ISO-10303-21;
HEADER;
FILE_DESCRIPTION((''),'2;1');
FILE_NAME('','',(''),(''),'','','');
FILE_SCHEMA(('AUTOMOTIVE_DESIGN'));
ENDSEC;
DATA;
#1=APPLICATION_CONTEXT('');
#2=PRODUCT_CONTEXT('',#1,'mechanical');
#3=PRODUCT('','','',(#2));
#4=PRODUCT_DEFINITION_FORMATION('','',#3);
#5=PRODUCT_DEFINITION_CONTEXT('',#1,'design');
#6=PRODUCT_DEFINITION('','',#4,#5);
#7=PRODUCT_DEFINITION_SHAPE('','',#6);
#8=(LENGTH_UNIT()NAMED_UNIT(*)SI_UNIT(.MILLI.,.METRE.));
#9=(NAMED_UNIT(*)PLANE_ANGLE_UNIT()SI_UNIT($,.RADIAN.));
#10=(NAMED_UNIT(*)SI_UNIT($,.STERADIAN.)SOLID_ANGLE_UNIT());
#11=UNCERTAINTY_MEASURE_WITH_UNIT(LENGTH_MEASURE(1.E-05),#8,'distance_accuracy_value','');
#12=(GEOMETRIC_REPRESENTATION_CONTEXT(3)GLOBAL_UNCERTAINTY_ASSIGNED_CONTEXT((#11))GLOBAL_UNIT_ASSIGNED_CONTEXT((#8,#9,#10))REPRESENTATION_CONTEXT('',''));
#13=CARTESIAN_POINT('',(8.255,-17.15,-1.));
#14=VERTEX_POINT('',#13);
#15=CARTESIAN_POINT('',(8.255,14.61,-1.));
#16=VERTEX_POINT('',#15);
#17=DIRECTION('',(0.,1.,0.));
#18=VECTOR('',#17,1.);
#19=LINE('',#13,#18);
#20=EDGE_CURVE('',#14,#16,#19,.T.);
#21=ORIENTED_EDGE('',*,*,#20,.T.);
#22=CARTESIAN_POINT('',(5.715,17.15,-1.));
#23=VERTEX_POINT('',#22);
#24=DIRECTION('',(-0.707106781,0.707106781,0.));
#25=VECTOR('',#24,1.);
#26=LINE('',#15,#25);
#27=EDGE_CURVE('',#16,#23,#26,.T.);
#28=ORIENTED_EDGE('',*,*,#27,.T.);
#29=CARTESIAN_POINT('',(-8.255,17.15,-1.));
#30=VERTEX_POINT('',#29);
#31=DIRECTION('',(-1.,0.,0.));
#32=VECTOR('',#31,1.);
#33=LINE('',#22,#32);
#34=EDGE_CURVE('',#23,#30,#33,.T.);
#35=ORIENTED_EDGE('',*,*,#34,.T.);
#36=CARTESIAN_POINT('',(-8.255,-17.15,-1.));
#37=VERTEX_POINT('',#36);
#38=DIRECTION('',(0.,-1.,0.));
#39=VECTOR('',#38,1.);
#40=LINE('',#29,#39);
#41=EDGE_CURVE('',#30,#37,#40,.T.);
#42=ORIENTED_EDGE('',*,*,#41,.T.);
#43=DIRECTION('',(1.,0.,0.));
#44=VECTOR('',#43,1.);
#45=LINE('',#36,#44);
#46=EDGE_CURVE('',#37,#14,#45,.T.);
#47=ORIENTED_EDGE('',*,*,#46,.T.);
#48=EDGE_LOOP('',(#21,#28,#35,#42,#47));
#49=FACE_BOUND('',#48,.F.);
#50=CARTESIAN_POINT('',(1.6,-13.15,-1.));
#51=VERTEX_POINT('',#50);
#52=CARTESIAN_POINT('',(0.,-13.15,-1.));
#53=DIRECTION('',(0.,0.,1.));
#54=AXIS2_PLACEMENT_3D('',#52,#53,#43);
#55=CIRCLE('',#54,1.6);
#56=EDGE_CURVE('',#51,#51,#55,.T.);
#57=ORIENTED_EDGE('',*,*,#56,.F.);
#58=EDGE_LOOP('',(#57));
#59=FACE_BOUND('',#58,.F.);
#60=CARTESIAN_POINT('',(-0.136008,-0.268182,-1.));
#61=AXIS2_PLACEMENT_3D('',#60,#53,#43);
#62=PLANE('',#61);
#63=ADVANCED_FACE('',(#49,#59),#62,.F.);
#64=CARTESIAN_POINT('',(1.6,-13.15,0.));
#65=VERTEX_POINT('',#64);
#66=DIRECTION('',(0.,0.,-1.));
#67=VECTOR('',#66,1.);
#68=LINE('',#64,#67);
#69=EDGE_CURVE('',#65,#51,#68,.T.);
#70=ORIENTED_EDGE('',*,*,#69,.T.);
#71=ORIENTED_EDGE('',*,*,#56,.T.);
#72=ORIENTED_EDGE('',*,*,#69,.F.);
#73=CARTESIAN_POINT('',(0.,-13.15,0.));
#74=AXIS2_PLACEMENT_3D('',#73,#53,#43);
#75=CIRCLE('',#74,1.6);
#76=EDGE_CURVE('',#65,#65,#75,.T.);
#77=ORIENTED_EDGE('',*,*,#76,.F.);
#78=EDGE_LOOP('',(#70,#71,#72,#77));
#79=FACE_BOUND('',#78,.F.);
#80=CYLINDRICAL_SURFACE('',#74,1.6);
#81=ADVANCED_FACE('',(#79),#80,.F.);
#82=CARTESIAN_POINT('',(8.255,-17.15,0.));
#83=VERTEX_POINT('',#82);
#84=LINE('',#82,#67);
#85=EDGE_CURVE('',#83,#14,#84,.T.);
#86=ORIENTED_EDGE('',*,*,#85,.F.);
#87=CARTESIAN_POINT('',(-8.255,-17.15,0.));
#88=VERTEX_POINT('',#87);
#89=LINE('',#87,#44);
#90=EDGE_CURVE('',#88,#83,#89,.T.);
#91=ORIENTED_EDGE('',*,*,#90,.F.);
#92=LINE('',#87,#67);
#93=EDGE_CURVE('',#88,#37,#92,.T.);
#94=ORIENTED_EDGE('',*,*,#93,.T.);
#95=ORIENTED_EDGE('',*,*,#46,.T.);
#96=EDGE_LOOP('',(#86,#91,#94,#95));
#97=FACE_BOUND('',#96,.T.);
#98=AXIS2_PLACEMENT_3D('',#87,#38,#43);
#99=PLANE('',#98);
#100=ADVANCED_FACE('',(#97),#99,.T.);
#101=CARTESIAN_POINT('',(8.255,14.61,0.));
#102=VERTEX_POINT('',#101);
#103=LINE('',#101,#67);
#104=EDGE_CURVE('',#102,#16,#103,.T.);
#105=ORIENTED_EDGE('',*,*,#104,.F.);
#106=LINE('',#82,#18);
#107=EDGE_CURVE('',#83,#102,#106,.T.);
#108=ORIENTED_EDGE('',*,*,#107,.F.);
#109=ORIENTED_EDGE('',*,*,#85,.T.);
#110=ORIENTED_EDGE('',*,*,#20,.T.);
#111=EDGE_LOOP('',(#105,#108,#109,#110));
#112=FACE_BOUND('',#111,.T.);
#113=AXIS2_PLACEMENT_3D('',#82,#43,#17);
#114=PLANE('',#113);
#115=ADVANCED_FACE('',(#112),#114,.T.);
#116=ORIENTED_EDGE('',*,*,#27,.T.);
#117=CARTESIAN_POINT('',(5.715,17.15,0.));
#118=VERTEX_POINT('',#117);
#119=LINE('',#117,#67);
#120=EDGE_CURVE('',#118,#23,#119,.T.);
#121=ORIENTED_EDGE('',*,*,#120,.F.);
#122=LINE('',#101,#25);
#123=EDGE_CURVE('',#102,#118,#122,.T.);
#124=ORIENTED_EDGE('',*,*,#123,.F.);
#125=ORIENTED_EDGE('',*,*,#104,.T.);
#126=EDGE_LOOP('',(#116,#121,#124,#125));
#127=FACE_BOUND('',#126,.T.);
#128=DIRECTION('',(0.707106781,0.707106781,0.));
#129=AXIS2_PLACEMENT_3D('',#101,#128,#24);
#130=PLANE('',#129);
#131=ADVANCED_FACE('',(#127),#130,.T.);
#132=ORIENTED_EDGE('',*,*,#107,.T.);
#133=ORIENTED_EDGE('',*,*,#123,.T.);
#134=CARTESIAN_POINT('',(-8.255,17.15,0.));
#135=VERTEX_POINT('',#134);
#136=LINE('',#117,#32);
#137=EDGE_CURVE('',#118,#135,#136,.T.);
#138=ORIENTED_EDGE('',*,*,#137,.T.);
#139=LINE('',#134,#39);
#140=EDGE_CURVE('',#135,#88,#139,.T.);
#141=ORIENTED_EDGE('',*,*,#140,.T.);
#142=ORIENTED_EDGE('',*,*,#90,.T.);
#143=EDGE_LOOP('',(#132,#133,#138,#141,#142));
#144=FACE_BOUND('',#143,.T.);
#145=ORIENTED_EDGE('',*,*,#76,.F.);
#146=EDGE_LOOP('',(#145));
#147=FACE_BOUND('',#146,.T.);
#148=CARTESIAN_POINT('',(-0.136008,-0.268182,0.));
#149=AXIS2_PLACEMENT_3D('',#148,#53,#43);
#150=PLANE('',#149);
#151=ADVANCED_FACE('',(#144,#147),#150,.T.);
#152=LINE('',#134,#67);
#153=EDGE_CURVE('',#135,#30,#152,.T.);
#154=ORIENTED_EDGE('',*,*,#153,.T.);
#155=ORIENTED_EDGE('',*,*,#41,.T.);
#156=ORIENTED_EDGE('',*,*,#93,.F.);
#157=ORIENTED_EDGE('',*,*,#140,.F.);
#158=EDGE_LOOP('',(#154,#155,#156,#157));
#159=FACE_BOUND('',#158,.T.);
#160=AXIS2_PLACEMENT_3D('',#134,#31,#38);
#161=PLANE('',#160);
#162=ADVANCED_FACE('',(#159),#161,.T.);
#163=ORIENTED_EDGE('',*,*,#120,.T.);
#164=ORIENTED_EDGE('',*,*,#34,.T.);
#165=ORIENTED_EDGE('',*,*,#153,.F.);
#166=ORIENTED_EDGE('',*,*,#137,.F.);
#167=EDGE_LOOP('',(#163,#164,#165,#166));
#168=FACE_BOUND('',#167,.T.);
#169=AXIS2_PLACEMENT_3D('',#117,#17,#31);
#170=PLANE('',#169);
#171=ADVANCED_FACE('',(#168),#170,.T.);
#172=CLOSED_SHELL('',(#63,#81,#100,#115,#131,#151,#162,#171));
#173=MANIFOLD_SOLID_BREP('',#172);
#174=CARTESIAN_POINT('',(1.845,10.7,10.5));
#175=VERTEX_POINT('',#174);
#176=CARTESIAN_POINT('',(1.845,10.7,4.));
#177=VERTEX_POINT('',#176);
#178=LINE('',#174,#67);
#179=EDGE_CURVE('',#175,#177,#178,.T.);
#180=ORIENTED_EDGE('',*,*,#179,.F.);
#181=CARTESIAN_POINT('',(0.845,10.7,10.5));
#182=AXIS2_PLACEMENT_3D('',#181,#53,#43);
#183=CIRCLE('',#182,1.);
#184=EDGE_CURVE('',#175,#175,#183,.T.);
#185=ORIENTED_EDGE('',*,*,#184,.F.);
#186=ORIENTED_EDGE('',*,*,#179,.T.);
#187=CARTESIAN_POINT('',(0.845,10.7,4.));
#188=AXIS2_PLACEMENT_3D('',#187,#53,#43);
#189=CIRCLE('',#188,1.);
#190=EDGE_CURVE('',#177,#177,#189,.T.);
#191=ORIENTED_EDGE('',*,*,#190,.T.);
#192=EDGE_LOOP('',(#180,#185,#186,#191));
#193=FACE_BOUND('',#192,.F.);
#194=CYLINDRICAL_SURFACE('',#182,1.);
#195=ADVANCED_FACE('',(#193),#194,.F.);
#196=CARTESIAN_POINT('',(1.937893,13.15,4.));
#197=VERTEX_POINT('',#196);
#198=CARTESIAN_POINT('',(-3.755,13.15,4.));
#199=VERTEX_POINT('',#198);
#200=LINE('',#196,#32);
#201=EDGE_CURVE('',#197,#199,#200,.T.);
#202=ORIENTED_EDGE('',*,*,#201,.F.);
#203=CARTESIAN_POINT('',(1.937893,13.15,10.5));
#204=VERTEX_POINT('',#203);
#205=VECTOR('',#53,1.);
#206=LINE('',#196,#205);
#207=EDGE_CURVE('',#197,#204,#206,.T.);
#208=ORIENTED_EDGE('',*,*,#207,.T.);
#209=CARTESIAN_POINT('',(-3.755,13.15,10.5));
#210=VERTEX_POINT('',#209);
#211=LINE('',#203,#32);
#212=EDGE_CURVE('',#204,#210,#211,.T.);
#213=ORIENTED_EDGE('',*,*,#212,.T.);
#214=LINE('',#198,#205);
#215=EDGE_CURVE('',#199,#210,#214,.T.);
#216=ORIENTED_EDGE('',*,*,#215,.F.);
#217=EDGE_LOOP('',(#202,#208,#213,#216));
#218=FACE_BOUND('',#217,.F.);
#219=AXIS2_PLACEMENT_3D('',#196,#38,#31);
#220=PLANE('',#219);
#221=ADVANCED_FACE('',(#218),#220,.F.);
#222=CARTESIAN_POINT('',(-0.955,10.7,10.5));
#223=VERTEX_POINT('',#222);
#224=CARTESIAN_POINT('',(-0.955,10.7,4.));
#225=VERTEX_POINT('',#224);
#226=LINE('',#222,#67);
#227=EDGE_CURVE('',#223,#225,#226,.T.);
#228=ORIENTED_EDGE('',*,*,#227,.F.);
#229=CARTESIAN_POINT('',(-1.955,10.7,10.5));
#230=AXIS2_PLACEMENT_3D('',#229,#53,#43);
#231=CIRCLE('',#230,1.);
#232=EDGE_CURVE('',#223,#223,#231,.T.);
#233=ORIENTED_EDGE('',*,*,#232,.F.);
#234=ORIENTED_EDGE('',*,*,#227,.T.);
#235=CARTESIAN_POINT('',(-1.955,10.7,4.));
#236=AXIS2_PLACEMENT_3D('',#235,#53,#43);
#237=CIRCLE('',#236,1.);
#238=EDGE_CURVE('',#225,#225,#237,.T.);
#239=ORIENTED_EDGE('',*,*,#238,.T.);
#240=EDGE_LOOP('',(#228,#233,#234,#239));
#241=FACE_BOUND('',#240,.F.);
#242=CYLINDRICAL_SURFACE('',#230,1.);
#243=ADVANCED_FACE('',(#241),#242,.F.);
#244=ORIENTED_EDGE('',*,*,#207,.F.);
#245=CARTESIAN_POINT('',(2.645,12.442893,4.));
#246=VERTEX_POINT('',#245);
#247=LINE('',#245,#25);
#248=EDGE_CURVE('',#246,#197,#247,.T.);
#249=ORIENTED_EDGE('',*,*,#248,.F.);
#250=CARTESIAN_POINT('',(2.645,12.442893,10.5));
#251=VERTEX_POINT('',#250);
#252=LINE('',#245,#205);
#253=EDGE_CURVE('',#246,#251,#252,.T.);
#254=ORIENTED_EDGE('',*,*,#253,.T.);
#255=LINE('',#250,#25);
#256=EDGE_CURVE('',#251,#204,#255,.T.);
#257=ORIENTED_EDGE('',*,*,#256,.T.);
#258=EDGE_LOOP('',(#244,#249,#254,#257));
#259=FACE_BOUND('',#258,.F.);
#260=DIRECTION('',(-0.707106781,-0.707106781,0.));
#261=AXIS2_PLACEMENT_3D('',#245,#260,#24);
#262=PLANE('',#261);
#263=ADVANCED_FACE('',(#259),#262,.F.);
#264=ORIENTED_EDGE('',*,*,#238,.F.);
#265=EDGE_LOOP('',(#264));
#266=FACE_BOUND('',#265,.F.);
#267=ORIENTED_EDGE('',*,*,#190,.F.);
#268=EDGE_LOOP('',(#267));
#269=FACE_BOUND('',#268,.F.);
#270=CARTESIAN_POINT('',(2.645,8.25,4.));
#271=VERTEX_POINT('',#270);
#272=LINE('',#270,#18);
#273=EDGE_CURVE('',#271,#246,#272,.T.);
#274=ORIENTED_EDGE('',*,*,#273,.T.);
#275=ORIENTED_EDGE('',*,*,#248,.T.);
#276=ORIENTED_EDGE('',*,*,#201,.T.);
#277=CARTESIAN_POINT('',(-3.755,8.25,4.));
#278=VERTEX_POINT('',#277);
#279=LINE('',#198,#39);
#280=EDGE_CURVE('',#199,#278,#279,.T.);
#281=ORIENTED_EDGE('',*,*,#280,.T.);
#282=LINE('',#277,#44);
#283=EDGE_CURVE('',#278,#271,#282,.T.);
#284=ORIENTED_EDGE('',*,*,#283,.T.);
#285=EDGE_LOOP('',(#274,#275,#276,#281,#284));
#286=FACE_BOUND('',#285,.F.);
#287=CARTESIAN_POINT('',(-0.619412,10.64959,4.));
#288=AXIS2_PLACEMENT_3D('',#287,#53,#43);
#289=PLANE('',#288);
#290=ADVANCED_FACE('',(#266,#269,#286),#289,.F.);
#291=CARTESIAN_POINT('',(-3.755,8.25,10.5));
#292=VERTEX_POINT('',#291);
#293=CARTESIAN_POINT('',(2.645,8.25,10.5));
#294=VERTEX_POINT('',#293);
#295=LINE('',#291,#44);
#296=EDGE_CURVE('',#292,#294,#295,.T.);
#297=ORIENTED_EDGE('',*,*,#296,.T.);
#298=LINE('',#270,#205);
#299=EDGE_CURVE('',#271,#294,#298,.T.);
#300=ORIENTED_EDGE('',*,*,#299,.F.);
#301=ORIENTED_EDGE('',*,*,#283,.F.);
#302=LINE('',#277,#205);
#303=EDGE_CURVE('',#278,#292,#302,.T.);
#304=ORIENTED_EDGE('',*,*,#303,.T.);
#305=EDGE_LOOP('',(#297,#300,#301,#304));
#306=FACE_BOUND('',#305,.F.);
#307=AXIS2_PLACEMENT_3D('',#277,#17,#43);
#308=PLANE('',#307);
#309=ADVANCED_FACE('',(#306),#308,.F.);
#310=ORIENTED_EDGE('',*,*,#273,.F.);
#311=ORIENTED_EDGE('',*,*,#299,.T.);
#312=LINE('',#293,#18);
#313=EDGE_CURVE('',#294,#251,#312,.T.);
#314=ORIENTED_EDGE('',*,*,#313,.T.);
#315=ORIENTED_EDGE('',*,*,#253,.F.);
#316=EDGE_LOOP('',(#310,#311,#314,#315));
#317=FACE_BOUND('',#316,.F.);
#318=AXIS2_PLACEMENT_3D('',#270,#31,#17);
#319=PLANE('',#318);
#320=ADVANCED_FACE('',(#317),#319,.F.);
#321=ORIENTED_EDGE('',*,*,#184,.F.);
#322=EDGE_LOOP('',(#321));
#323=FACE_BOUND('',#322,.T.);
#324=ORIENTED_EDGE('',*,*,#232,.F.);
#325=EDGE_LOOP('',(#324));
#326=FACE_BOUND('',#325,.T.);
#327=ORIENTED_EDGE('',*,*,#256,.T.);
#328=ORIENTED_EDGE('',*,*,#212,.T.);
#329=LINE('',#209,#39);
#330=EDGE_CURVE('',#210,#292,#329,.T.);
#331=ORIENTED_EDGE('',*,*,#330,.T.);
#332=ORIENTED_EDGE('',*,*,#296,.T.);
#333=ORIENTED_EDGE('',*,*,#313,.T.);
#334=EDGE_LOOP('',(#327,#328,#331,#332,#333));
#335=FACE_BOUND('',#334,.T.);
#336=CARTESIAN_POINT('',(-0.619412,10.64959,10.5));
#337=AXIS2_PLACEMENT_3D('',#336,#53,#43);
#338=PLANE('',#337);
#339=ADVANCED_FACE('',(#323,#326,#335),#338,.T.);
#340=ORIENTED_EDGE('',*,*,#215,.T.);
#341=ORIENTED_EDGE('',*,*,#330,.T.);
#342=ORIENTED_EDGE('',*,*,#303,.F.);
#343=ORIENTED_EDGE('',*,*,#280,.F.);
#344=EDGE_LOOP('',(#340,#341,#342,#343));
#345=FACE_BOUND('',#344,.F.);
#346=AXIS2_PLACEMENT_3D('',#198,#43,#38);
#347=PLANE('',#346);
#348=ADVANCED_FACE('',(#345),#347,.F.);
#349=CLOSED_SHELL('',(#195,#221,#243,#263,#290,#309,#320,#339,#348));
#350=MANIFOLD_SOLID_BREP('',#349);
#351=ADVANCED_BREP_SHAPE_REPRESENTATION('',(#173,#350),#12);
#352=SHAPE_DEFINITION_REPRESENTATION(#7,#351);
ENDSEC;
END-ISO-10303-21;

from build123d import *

# Parameters (mm, degrees)
F1_DEPTH = 1
F2_R     = 1.6
F3_DEPTH = 1
F6_DEPTH = 6.5
F7_R     = 1
F8_DEPTH = 6.5


with BuildPart() as f1:
    # F0 (on Top) → F1 (new body)
    with BuildSketch(Plane.XY):
        Polygon((5.715, 17.15), (-8.255, 17.15), (-8.255, -17.15), (8.255, -17.15), (8.255, 14.61), align=None)
    extrude(amount=-F1_DEPTH)

    # F2 (on face) → F3 (cut, through all)
    with BuildSketch(Plane.XY):
        with Locations((0, -13.15)):
            Circle(F2_R)
    extrude(amount=-F3_DEPTH, mode=Mode.SUBTRACT)


with BuildPart() as f6:
    # F5 (on offset) → F6 (new body)
    with BuildSketch(Plane.XY.offset(4)):
        Polygon((1.937893, 13.15), (-3.755, 13.15), (-3.755, 8.25), (2.645, 8.25), (2.645, 12.442893), align=None)
    extrude(amount=F6_DEPTH)

    # F7 (on face) → F8 (cut, through all)
    with BuildSketch(Plane.XY.offset(10.5)):
        with Locations((-1.955, 10.7)):
            Circle(F7_R)
        with Locations((0.845, 10.7)):
            Circle(F7_R)
    extrude(amount=-F8_DEPTH, mode=Mode.SUBTRACT)


solid = Compound([f1.part, f6.part])
